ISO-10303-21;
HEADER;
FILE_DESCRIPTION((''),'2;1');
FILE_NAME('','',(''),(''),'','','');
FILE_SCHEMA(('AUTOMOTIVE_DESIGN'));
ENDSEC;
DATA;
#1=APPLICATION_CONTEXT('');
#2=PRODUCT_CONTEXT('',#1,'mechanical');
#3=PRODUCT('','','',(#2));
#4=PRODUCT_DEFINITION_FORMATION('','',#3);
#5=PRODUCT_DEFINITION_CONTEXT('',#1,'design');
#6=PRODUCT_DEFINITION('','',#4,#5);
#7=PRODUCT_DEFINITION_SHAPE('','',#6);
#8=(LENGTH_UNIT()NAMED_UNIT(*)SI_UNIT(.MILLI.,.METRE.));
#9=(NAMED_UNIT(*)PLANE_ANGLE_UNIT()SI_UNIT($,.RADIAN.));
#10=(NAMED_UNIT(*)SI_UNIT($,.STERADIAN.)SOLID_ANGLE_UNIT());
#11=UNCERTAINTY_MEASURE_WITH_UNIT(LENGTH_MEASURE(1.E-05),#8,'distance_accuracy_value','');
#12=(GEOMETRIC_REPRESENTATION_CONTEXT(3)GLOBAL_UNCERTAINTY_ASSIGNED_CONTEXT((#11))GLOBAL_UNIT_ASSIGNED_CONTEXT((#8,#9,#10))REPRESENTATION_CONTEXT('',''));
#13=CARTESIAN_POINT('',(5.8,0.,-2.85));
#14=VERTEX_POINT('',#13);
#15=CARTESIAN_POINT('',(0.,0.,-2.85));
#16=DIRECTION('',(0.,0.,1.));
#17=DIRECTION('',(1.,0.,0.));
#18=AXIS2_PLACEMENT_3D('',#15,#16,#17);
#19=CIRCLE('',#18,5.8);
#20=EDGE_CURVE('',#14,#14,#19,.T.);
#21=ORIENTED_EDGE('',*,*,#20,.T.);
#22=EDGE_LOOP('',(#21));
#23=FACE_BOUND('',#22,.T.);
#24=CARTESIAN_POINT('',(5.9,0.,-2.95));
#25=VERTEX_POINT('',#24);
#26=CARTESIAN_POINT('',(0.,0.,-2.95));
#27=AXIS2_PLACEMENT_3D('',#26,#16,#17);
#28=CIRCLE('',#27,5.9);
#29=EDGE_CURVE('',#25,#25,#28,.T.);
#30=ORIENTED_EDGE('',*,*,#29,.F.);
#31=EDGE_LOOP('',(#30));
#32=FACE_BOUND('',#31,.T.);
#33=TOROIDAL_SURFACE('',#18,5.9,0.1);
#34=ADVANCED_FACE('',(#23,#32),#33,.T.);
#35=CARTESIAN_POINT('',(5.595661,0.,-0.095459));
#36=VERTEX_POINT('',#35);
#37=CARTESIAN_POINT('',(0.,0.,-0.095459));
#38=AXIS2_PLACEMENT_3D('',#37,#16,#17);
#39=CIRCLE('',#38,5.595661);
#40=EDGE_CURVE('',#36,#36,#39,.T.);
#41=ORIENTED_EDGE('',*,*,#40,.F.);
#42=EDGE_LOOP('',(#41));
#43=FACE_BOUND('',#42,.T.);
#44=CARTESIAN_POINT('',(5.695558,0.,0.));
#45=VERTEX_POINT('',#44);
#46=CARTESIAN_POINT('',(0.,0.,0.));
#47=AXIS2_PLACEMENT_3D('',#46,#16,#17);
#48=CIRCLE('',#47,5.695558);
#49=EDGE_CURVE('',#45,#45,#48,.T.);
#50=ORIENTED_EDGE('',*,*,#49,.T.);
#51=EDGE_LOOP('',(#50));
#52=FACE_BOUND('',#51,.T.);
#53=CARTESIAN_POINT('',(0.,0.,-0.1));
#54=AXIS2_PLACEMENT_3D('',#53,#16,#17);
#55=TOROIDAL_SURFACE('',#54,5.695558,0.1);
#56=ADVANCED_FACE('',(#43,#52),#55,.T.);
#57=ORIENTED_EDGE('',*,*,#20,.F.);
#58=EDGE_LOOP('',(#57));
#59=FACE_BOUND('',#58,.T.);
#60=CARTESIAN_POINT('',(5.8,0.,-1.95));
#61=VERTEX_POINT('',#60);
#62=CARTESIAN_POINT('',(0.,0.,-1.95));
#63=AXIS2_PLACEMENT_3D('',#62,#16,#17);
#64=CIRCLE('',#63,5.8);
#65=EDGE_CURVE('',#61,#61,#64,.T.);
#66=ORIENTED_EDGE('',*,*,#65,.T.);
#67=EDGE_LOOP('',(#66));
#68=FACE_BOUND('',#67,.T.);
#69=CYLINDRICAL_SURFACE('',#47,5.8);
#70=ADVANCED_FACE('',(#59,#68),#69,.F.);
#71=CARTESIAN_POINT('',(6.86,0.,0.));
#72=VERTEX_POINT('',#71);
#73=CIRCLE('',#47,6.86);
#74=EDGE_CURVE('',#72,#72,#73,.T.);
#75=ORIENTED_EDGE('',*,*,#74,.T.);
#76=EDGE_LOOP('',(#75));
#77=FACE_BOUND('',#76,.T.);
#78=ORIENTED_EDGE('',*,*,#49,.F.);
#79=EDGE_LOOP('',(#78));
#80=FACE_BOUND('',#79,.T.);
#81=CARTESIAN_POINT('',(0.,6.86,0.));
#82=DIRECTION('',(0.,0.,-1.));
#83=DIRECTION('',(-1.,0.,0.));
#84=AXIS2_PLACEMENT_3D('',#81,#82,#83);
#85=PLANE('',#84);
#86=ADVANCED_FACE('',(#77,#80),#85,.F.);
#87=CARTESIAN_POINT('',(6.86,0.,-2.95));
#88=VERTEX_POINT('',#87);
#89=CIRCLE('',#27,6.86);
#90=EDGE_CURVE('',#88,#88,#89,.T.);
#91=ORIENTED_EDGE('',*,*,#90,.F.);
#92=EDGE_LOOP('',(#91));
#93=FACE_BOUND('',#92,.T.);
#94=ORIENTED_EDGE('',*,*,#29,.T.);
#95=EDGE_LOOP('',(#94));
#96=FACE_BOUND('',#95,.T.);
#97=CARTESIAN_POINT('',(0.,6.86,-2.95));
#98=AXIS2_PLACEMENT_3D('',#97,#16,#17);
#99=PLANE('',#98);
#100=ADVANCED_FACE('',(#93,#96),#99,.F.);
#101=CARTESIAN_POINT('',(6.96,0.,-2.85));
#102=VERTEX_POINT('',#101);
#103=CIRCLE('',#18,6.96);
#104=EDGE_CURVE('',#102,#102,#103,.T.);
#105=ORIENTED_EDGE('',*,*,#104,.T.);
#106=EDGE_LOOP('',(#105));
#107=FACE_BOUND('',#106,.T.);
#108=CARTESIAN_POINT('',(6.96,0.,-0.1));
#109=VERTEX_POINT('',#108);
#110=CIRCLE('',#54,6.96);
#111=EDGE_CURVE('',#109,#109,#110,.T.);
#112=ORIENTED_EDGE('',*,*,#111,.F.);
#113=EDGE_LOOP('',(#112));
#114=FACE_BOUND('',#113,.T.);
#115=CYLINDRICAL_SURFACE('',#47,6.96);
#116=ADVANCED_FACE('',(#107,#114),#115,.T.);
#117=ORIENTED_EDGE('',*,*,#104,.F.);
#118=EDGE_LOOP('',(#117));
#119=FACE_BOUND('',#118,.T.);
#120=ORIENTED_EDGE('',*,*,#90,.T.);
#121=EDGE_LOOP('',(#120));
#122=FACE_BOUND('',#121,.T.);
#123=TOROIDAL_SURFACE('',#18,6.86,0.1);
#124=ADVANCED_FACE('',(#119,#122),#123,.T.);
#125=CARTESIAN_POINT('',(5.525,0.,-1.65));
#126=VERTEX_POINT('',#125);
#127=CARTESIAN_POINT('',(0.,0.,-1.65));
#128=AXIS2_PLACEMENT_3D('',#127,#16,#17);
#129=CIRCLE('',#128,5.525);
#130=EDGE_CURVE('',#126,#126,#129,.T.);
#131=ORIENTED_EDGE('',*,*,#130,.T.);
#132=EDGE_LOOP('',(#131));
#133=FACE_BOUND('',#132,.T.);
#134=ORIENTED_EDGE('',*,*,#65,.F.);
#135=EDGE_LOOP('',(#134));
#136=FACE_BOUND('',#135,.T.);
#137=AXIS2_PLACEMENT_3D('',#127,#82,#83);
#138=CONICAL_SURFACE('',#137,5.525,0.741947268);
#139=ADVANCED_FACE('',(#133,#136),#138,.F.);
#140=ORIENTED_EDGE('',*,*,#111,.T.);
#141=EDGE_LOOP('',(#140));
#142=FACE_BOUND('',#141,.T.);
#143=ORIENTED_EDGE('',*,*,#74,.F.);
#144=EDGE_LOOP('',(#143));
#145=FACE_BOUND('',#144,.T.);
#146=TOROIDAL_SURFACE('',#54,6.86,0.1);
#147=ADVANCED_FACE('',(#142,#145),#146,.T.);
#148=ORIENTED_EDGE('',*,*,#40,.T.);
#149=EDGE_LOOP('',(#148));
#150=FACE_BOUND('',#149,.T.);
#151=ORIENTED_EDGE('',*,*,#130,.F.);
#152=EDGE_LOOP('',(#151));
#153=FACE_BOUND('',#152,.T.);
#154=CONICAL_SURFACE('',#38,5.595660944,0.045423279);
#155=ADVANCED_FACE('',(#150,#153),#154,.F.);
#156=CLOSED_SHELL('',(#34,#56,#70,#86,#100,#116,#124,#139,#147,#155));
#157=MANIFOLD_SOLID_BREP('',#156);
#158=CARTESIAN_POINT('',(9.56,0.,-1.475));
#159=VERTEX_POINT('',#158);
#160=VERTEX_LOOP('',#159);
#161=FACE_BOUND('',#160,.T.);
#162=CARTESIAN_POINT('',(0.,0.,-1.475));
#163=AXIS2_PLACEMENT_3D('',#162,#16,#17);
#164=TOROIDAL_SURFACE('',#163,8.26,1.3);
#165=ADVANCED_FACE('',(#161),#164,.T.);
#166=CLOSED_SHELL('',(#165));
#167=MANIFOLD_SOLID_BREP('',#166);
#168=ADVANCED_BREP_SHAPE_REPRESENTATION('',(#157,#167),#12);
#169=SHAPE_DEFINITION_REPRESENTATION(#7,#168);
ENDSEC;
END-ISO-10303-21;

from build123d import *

# Parameters (mm, degrees)
SKETCH2_R = 1.3


with BuildPart() as part:
    # Sketch1 → Revolve1 (revolve)
    with BuildSketch(Plane(origin=(0, 0, 0), x_dir=(0, 0, -1), z_dir=(1, 0, 0)), mode=Mode.PRIVATE) as revolve1_sk:
        with BuildLine():
            Line((0.1, 6.96), (2.85, 6.96))
            ThreePointArc((2.85, 6.96), (2.920710678, 6.930710678), (2.95, 6.86))
            Line((2.95, 6.86), (2.95, 5.9))
            ThreePointArc((2.95, 5.9), (2.920710678, 5.829289322), (2.85, 5.8))
            Line((2.85, 5.8), (1.95, 5.8))
            Line((1.95, 5.8), (1.65, 5.525))
            Line((1.65, 5.525), (0.095459234, 5.595660944))
            ThreePointArc((0.095459234, 5.595660944), (0.027701741, 5.626471173), (0, 5.695557798))
            Line((0, 5.695557798), (0, 6.86))
            ThreePointArc((0, 6.86), (0.029289322, 6.930710678), (0.1, 6.96))
        make_face()
    revolve(revolve1_sk.sketch.rotate(Axis((0, 0, 0), (0, 0, -1)), 90), axis=Axis((0, 0, 0), (0, 0, -1)))


with BuildPart() as body_2:
    # Sketch2 → Revolve2 (revolve)
    with BuildSketch(Plane(origin=(0, 0, 0), x_dir=(0, 0, -1), z_dir=(1, 0, 0)), mode=Mode.PRIVATE) as revolve2_sk:
        with Locations((1.475, 8.26)):
            Circle(SKETCH2_R)
    revolve(revolve2_sk.sketch.rotate(Axis((0, 0, 0), (0, 0, -1)), 270), axis=Axis((0, 0, 0), (0, 0, -1)))


solid = Compound([part.part, body_2.part])
